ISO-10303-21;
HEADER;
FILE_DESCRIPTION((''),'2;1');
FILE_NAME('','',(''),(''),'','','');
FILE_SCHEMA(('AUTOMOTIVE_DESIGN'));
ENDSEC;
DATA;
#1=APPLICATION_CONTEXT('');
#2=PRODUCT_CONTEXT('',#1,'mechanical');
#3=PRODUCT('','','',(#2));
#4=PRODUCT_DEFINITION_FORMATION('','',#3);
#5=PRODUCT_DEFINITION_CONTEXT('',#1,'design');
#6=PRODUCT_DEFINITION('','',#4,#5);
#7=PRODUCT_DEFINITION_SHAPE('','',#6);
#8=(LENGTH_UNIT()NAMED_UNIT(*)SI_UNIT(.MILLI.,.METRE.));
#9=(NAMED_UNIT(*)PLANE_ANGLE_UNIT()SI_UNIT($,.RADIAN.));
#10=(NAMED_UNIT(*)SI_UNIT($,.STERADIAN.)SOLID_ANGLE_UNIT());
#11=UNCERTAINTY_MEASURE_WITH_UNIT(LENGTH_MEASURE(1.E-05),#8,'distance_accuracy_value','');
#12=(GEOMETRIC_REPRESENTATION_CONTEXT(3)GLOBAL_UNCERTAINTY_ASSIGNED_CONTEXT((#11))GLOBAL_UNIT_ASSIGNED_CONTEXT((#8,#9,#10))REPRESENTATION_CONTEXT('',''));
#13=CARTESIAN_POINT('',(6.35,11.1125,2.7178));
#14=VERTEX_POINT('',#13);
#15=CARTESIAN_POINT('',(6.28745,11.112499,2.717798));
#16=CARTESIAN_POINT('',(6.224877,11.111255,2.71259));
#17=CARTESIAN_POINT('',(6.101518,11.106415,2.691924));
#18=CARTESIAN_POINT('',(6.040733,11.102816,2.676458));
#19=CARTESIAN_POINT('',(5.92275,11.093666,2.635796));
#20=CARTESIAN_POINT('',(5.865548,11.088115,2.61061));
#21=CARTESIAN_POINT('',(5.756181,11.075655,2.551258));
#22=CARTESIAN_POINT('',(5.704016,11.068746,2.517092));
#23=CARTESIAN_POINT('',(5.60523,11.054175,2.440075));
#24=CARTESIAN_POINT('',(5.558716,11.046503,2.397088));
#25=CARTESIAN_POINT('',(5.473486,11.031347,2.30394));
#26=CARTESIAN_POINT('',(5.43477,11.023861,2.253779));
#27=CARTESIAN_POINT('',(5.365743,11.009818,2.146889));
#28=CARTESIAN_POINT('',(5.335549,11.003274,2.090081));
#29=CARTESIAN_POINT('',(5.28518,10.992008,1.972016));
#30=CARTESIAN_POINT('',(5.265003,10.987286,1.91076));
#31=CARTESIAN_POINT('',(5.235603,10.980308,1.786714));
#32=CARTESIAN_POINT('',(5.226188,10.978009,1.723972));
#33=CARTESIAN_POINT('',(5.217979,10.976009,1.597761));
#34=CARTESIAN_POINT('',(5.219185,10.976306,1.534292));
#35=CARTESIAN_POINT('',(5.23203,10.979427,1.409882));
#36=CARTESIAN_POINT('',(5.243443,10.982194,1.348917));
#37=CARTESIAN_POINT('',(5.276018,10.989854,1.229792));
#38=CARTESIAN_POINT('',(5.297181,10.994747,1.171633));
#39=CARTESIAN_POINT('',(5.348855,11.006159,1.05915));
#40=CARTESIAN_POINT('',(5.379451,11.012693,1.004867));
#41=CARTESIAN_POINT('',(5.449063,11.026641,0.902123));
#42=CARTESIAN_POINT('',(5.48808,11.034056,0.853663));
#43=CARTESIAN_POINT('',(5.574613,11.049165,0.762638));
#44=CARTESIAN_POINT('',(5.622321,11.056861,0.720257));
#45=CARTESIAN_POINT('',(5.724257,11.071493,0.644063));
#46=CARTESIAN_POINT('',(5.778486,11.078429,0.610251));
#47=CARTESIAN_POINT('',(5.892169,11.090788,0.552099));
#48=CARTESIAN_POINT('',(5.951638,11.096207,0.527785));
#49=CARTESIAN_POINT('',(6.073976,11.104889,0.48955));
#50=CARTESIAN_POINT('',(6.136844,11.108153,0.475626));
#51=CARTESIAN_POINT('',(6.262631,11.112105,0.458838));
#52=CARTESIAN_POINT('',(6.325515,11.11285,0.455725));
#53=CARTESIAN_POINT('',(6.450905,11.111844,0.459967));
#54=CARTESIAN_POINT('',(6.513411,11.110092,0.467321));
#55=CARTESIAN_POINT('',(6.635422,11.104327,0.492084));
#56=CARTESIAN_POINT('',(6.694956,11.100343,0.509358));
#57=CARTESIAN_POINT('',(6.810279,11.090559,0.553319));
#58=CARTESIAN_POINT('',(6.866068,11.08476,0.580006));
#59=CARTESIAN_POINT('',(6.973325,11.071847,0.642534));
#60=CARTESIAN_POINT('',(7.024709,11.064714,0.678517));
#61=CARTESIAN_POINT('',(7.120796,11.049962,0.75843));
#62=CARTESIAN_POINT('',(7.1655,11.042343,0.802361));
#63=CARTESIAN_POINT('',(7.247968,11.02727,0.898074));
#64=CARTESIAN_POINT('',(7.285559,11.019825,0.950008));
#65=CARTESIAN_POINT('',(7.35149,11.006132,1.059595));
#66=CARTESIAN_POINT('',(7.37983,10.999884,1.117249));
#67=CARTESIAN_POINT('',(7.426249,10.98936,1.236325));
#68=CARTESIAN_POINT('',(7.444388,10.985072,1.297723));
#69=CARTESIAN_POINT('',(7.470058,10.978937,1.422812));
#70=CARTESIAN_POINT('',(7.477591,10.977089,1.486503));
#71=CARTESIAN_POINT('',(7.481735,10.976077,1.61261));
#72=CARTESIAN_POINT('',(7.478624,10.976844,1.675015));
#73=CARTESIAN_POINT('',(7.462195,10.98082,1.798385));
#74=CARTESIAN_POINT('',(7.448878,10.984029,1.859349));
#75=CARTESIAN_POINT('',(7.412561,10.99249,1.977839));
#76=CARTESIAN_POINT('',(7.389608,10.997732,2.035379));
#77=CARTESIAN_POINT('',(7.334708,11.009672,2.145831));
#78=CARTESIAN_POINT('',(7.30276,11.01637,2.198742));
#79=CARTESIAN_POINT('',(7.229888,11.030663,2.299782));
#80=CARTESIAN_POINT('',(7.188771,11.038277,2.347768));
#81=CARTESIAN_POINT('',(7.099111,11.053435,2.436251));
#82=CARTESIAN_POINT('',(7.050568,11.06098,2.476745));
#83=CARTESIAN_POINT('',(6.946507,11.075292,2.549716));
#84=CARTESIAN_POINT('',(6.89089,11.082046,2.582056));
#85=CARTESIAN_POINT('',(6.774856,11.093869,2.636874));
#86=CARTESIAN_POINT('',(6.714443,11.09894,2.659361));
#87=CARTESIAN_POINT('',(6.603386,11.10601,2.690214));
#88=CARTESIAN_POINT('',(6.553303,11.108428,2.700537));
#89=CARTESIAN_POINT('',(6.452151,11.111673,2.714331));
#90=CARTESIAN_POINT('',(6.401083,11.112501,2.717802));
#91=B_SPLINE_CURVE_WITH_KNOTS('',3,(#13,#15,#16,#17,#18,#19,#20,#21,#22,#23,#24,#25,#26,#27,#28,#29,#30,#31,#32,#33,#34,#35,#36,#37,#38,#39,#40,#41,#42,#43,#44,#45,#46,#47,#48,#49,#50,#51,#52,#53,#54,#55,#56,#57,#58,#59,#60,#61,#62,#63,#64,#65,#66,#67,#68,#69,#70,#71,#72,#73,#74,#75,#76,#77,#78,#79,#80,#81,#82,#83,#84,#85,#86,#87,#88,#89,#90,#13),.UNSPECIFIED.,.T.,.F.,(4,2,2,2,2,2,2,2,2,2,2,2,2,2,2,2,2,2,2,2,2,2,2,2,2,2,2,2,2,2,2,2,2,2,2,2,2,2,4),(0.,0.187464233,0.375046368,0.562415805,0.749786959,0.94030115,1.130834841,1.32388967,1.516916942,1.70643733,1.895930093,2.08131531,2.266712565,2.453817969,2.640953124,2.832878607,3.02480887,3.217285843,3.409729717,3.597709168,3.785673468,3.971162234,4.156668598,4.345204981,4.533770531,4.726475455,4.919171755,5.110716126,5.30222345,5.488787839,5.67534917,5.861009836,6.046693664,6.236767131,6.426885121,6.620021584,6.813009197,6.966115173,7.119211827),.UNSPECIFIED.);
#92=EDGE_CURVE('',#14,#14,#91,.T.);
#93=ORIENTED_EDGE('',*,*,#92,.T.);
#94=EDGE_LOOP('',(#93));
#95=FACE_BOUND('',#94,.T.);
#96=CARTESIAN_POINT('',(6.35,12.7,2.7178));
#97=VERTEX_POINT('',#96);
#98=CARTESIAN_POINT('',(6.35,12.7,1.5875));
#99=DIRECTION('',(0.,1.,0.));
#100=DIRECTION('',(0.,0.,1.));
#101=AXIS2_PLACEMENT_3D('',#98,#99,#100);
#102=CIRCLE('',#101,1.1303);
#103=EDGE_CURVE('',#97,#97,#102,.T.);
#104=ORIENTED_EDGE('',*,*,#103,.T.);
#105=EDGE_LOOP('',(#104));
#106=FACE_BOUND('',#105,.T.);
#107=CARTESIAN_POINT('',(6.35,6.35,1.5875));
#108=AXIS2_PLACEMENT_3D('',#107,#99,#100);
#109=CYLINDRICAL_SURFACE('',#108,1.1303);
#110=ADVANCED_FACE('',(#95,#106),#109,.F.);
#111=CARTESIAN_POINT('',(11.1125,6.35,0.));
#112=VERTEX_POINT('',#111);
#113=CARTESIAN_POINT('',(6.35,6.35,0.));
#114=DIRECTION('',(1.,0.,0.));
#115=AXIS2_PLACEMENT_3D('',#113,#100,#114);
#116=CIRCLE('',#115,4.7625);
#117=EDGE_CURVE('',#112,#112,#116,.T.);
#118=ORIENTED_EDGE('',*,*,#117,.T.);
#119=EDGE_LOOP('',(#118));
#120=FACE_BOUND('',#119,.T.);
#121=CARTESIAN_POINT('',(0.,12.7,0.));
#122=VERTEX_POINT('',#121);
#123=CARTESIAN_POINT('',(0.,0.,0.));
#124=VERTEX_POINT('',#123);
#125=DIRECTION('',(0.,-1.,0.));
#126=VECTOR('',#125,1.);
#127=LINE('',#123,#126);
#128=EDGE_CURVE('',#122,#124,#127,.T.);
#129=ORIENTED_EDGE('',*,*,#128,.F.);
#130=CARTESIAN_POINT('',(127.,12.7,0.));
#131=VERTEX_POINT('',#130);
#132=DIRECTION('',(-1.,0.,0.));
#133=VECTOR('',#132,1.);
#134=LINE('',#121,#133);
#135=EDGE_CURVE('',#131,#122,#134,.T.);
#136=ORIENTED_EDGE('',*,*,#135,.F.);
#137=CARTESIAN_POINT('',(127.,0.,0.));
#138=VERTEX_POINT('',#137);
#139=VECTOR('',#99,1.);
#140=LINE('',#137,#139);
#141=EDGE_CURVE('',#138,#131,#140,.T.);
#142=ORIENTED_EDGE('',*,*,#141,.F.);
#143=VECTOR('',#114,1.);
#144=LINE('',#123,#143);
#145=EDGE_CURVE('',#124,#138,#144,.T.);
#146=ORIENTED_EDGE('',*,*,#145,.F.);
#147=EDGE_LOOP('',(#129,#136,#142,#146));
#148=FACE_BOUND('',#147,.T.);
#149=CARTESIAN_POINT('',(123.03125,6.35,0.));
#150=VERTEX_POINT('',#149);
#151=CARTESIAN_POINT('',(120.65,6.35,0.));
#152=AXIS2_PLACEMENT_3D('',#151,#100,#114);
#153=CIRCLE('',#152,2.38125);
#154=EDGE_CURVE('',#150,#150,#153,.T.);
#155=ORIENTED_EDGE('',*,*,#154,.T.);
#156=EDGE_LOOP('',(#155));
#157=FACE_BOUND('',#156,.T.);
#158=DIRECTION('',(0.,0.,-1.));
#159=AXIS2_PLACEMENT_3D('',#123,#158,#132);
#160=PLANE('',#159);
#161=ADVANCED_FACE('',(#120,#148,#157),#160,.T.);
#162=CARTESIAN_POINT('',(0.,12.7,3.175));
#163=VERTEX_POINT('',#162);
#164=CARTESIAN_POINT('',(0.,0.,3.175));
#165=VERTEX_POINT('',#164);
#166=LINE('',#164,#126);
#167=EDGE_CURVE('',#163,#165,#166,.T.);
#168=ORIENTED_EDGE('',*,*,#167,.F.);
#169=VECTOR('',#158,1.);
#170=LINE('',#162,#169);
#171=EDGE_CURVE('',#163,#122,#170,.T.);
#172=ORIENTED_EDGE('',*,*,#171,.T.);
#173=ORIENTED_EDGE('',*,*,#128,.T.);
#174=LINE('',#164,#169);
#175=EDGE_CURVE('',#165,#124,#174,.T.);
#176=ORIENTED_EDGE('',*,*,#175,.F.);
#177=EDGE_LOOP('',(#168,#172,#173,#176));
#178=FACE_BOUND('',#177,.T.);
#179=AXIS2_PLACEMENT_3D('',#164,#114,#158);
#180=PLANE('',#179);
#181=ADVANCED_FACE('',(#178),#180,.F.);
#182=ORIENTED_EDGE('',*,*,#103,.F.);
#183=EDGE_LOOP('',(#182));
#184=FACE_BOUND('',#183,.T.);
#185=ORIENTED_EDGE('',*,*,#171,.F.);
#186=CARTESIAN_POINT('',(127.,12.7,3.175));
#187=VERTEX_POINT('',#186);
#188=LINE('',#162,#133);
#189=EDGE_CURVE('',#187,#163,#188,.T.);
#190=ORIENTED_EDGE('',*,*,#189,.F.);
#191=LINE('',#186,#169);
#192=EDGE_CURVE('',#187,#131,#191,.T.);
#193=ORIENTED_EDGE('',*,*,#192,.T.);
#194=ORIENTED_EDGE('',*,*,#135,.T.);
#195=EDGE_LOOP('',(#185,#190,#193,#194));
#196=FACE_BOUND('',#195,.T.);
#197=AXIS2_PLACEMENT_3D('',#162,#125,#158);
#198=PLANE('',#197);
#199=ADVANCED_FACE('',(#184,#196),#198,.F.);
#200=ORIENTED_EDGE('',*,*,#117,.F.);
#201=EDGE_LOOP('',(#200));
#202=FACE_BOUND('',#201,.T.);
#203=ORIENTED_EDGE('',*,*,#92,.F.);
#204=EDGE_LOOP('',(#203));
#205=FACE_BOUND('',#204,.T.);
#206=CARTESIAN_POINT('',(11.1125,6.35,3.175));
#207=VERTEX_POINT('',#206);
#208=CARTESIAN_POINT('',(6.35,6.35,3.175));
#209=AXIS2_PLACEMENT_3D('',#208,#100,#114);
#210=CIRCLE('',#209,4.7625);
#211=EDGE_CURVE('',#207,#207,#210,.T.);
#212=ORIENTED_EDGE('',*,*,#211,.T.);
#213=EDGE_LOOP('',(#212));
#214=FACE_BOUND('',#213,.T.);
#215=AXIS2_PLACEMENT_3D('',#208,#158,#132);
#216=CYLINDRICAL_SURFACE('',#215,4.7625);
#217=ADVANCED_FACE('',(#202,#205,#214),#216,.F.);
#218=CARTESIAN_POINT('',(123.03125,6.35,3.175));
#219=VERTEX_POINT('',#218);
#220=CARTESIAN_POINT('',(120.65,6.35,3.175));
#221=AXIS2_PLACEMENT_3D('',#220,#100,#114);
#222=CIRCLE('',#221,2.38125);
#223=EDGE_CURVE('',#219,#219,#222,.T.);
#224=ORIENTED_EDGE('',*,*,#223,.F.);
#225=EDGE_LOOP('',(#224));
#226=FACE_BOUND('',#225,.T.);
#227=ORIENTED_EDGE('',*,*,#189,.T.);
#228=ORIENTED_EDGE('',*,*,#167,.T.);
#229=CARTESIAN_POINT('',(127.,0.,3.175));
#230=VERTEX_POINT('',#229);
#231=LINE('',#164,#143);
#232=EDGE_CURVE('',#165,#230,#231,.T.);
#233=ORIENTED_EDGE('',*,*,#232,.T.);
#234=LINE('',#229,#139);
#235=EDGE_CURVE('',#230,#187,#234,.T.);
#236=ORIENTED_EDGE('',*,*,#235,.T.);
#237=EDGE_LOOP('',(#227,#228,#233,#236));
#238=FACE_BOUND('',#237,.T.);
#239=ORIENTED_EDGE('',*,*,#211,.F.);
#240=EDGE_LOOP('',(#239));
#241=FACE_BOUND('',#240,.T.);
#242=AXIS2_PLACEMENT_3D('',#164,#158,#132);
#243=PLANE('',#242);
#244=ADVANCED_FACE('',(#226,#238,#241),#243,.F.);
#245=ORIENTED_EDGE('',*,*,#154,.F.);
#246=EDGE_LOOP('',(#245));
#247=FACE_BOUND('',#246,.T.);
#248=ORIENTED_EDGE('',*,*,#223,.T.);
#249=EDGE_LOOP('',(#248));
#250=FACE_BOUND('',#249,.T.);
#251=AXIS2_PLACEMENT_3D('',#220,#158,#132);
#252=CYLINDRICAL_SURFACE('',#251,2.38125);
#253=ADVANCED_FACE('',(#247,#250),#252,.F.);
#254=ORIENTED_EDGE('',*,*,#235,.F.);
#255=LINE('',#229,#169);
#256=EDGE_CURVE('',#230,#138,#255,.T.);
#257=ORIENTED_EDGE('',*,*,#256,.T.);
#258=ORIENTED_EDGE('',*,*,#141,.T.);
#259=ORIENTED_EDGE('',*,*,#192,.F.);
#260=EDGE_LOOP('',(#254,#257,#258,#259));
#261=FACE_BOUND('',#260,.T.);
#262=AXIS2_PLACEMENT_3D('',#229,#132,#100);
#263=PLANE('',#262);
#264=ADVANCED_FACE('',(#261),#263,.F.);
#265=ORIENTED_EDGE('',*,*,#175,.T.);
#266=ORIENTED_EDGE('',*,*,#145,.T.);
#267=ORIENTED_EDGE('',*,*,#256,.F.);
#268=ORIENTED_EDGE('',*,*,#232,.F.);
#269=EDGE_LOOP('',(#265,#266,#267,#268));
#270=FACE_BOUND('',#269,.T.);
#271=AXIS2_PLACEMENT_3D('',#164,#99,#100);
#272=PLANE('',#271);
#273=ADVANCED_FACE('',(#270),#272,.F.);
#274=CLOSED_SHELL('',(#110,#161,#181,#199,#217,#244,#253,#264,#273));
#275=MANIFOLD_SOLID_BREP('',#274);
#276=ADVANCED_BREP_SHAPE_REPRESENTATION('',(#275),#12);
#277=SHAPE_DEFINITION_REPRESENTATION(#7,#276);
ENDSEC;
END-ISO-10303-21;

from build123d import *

# Parameters (mm, degrees)
SKETCH1_W           = 127
SKETCH1_H           = 12.7
SKETCH1_R           = 4.7625
SKETCH1_R_2         = 2.38125
BOSS_EXTRUDE1_DEPTH = 3.175
SKETCH2_R           = 1.1303
CUT_EXTRUDE1_DEPTH  = 6.35


with BuildPart() as part:
    # Sketch1 → Boss-Extrude1 (new body)
    with BuildSketch(Plane.XY):
        with Locations((63.5, 6.35)):
            Rectangle(SKETCH1_W, SKETCH1_H)
        with Locations((6.35, 6.35)):
            Circle(SKETCH1_R, mode=Mode.SUBTRACT)
        with Locations((120.65, 6.35)):
            Circle(SKETCH1_R_2, mode=Mode.SUBTRACT)
    extrude(amount=BOSS_EXTRUDE1_DEPTH)

    # Sketch2 → Cut-Extrude1 (cut)
    with BuildSketch(Plane(origin=(0, 12.7, 0), x_dir=(1, 0, 0), z_dir=(0, 1, 0))):
        with Locations(Location((6.35, -1.5875, 0), (0, 0, 270))):
            Circle(SKETCH2_R)
    extrude(amount=-CUT_EXTRUDE1_DEPTH, mode=Mode.SUBTRACT)


solid = part.part
